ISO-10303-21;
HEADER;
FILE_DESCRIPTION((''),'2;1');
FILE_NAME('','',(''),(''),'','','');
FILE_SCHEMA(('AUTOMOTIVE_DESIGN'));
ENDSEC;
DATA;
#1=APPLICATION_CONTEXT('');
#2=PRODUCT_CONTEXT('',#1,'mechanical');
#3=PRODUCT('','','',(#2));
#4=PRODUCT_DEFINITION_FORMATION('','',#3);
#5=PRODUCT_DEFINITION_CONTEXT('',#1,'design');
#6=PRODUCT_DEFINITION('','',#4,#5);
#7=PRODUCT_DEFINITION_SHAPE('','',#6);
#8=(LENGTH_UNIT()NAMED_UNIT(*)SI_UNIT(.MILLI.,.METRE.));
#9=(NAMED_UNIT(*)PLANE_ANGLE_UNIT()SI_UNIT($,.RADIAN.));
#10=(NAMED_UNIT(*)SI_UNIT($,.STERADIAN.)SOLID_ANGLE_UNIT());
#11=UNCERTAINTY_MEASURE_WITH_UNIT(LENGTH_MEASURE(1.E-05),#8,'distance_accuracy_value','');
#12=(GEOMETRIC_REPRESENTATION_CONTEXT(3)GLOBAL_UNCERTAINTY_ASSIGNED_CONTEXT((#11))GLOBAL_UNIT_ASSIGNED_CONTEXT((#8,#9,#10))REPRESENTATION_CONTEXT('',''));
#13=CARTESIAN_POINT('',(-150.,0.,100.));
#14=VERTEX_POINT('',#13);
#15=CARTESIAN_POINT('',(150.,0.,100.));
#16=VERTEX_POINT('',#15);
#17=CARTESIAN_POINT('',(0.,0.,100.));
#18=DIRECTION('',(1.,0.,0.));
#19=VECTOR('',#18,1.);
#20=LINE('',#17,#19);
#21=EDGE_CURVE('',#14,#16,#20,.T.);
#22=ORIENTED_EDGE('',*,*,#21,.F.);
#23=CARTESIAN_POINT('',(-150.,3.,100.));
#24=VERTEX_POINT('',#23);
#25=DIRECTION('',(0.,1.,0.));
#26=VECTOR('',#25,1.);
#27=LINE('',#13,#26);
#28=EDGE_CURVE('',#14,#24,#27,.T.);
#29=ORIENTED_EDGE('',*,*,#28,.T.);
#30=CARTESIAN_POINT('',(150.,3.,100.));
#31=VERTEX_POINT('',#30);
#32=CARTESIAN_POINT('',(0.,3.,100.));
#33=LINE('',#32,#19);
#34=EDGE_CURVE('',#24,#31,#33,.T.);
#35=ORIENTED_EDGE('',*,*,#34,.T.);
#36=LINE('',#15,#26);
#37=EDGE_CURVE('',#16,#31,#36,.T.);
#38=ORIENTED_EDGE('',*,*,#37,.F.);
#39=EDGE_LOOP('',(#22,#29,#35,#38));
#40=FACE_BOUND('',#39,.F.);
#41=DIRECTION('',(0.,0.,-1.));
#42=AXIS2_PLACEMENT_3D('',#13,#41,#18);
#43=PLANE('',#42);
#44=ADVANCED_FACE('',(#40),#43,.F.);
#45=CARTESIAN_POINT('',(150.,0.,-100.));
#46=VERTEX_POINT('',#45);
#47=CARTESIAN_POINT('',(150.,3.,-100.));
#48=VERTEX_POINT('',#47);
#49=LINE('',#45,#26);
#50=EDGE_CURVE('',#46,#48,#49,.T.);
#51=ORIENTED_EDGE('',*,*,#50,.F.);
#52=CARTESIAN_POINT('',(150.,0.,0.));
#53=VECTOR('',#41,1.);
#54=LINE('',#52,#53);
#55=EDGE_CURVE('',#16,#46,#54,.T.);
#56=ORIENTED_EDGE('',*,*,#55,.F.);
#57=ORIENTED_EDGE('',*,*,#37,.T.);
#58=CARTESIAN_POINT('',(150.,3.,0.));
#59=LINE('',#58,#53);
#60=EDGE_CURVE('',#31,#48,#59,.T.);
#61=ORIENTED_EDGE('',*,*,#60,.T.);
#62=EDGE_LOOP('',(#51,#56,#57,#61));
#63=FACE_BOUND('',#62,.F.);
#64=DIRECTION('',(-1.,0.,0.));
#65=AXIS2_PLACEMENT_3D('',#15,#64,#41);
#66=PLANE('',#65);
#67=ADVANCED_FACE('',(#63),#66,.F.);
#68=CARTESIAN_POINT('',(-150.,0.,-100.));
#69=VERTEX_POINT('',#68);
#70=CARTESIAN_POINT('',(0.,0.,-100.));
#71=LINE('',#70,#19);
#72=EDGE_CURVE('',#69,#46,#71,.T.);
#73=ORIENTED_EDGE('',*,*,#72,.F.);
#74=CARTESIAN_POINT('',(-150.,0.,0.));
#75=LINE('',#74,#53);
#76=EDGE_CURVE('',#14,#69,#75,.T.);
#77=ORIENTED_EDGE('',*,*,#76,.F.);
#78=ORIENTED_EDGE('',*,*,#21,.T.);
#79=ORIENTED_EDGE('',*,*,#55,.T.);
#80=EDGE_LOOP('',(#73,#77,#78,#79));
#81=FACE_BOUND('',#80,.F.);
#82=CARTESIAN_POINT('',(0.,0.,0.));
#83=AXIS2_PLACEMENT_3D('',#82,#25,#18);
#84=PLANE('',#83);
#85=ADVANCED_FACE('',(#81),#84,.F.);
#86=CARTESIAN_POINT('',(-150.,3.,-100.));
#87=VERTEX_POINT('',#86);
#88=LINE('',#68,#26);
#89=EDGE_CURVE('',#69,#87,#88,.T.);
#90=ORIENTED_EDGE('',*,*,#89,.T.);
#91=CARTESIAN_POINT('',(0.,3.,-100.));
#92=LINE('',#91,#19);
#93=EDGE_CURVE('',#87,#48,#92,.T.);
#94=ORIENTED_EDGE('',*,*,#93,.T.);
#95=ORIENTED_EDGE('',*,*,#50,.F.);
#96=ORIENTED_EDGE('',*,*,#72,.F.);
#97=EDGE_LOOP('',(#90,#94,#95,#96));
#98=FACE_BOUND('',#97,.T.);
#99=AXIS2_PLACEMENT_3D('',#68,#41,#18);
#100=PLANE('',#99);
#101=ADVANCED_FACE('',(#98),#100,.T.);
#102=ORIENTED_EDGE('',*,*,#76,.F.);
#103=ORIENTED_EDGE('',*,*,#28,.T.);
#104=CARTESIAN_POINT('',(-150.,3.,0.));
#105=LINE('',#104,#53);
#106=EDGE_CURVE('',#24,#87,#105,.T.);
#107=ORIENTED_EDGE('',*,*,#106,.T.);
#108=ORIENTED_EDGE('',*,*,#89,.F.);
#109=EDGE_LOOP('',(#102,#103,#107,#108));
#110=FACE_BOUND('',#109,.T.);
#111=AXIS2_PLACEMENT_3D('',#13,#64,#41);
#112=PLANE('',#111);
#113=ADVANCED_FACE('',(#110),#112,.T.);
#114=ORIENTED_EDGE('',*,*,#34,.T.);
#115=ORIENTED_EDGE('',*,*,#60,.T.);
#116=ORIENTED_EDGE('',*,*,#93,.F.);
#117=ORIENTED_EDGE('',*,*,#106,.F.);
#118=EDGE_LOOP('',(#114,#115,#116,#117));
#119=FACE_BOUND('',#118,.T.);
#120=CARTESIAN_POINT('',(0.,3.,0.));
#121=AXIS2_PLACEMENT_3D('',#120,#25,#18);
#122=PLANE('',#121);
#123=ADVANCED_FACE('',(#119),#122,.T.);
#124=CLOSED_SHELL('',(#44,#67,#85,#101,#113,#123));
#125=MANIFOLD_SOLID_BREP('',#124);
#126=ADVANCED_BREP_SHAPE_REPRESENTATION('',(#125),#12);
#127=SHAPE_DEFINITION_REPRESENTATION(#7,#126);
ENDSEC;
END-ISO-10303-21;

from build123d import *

# Parameters (mm, degrees)
SKETCH1_W           = 300
SKETCH1_H           = 200
BOSS_EXTRUDE1_DEPTH = 3


with BuildPart() as part:
    # Sketch1 → Boss-Extrude1 (new body)
    with BuildSketch(Plane(origin=(0, 0, 0), x_dir=(1, 0, 0), z_dir=(0, 1, 0))):
        Rectangle(SKETCH1_W, SKETCH1_H)
    extrude(amount=BOSS_EXTRUDE1_DEPTH)


solid = part.part
